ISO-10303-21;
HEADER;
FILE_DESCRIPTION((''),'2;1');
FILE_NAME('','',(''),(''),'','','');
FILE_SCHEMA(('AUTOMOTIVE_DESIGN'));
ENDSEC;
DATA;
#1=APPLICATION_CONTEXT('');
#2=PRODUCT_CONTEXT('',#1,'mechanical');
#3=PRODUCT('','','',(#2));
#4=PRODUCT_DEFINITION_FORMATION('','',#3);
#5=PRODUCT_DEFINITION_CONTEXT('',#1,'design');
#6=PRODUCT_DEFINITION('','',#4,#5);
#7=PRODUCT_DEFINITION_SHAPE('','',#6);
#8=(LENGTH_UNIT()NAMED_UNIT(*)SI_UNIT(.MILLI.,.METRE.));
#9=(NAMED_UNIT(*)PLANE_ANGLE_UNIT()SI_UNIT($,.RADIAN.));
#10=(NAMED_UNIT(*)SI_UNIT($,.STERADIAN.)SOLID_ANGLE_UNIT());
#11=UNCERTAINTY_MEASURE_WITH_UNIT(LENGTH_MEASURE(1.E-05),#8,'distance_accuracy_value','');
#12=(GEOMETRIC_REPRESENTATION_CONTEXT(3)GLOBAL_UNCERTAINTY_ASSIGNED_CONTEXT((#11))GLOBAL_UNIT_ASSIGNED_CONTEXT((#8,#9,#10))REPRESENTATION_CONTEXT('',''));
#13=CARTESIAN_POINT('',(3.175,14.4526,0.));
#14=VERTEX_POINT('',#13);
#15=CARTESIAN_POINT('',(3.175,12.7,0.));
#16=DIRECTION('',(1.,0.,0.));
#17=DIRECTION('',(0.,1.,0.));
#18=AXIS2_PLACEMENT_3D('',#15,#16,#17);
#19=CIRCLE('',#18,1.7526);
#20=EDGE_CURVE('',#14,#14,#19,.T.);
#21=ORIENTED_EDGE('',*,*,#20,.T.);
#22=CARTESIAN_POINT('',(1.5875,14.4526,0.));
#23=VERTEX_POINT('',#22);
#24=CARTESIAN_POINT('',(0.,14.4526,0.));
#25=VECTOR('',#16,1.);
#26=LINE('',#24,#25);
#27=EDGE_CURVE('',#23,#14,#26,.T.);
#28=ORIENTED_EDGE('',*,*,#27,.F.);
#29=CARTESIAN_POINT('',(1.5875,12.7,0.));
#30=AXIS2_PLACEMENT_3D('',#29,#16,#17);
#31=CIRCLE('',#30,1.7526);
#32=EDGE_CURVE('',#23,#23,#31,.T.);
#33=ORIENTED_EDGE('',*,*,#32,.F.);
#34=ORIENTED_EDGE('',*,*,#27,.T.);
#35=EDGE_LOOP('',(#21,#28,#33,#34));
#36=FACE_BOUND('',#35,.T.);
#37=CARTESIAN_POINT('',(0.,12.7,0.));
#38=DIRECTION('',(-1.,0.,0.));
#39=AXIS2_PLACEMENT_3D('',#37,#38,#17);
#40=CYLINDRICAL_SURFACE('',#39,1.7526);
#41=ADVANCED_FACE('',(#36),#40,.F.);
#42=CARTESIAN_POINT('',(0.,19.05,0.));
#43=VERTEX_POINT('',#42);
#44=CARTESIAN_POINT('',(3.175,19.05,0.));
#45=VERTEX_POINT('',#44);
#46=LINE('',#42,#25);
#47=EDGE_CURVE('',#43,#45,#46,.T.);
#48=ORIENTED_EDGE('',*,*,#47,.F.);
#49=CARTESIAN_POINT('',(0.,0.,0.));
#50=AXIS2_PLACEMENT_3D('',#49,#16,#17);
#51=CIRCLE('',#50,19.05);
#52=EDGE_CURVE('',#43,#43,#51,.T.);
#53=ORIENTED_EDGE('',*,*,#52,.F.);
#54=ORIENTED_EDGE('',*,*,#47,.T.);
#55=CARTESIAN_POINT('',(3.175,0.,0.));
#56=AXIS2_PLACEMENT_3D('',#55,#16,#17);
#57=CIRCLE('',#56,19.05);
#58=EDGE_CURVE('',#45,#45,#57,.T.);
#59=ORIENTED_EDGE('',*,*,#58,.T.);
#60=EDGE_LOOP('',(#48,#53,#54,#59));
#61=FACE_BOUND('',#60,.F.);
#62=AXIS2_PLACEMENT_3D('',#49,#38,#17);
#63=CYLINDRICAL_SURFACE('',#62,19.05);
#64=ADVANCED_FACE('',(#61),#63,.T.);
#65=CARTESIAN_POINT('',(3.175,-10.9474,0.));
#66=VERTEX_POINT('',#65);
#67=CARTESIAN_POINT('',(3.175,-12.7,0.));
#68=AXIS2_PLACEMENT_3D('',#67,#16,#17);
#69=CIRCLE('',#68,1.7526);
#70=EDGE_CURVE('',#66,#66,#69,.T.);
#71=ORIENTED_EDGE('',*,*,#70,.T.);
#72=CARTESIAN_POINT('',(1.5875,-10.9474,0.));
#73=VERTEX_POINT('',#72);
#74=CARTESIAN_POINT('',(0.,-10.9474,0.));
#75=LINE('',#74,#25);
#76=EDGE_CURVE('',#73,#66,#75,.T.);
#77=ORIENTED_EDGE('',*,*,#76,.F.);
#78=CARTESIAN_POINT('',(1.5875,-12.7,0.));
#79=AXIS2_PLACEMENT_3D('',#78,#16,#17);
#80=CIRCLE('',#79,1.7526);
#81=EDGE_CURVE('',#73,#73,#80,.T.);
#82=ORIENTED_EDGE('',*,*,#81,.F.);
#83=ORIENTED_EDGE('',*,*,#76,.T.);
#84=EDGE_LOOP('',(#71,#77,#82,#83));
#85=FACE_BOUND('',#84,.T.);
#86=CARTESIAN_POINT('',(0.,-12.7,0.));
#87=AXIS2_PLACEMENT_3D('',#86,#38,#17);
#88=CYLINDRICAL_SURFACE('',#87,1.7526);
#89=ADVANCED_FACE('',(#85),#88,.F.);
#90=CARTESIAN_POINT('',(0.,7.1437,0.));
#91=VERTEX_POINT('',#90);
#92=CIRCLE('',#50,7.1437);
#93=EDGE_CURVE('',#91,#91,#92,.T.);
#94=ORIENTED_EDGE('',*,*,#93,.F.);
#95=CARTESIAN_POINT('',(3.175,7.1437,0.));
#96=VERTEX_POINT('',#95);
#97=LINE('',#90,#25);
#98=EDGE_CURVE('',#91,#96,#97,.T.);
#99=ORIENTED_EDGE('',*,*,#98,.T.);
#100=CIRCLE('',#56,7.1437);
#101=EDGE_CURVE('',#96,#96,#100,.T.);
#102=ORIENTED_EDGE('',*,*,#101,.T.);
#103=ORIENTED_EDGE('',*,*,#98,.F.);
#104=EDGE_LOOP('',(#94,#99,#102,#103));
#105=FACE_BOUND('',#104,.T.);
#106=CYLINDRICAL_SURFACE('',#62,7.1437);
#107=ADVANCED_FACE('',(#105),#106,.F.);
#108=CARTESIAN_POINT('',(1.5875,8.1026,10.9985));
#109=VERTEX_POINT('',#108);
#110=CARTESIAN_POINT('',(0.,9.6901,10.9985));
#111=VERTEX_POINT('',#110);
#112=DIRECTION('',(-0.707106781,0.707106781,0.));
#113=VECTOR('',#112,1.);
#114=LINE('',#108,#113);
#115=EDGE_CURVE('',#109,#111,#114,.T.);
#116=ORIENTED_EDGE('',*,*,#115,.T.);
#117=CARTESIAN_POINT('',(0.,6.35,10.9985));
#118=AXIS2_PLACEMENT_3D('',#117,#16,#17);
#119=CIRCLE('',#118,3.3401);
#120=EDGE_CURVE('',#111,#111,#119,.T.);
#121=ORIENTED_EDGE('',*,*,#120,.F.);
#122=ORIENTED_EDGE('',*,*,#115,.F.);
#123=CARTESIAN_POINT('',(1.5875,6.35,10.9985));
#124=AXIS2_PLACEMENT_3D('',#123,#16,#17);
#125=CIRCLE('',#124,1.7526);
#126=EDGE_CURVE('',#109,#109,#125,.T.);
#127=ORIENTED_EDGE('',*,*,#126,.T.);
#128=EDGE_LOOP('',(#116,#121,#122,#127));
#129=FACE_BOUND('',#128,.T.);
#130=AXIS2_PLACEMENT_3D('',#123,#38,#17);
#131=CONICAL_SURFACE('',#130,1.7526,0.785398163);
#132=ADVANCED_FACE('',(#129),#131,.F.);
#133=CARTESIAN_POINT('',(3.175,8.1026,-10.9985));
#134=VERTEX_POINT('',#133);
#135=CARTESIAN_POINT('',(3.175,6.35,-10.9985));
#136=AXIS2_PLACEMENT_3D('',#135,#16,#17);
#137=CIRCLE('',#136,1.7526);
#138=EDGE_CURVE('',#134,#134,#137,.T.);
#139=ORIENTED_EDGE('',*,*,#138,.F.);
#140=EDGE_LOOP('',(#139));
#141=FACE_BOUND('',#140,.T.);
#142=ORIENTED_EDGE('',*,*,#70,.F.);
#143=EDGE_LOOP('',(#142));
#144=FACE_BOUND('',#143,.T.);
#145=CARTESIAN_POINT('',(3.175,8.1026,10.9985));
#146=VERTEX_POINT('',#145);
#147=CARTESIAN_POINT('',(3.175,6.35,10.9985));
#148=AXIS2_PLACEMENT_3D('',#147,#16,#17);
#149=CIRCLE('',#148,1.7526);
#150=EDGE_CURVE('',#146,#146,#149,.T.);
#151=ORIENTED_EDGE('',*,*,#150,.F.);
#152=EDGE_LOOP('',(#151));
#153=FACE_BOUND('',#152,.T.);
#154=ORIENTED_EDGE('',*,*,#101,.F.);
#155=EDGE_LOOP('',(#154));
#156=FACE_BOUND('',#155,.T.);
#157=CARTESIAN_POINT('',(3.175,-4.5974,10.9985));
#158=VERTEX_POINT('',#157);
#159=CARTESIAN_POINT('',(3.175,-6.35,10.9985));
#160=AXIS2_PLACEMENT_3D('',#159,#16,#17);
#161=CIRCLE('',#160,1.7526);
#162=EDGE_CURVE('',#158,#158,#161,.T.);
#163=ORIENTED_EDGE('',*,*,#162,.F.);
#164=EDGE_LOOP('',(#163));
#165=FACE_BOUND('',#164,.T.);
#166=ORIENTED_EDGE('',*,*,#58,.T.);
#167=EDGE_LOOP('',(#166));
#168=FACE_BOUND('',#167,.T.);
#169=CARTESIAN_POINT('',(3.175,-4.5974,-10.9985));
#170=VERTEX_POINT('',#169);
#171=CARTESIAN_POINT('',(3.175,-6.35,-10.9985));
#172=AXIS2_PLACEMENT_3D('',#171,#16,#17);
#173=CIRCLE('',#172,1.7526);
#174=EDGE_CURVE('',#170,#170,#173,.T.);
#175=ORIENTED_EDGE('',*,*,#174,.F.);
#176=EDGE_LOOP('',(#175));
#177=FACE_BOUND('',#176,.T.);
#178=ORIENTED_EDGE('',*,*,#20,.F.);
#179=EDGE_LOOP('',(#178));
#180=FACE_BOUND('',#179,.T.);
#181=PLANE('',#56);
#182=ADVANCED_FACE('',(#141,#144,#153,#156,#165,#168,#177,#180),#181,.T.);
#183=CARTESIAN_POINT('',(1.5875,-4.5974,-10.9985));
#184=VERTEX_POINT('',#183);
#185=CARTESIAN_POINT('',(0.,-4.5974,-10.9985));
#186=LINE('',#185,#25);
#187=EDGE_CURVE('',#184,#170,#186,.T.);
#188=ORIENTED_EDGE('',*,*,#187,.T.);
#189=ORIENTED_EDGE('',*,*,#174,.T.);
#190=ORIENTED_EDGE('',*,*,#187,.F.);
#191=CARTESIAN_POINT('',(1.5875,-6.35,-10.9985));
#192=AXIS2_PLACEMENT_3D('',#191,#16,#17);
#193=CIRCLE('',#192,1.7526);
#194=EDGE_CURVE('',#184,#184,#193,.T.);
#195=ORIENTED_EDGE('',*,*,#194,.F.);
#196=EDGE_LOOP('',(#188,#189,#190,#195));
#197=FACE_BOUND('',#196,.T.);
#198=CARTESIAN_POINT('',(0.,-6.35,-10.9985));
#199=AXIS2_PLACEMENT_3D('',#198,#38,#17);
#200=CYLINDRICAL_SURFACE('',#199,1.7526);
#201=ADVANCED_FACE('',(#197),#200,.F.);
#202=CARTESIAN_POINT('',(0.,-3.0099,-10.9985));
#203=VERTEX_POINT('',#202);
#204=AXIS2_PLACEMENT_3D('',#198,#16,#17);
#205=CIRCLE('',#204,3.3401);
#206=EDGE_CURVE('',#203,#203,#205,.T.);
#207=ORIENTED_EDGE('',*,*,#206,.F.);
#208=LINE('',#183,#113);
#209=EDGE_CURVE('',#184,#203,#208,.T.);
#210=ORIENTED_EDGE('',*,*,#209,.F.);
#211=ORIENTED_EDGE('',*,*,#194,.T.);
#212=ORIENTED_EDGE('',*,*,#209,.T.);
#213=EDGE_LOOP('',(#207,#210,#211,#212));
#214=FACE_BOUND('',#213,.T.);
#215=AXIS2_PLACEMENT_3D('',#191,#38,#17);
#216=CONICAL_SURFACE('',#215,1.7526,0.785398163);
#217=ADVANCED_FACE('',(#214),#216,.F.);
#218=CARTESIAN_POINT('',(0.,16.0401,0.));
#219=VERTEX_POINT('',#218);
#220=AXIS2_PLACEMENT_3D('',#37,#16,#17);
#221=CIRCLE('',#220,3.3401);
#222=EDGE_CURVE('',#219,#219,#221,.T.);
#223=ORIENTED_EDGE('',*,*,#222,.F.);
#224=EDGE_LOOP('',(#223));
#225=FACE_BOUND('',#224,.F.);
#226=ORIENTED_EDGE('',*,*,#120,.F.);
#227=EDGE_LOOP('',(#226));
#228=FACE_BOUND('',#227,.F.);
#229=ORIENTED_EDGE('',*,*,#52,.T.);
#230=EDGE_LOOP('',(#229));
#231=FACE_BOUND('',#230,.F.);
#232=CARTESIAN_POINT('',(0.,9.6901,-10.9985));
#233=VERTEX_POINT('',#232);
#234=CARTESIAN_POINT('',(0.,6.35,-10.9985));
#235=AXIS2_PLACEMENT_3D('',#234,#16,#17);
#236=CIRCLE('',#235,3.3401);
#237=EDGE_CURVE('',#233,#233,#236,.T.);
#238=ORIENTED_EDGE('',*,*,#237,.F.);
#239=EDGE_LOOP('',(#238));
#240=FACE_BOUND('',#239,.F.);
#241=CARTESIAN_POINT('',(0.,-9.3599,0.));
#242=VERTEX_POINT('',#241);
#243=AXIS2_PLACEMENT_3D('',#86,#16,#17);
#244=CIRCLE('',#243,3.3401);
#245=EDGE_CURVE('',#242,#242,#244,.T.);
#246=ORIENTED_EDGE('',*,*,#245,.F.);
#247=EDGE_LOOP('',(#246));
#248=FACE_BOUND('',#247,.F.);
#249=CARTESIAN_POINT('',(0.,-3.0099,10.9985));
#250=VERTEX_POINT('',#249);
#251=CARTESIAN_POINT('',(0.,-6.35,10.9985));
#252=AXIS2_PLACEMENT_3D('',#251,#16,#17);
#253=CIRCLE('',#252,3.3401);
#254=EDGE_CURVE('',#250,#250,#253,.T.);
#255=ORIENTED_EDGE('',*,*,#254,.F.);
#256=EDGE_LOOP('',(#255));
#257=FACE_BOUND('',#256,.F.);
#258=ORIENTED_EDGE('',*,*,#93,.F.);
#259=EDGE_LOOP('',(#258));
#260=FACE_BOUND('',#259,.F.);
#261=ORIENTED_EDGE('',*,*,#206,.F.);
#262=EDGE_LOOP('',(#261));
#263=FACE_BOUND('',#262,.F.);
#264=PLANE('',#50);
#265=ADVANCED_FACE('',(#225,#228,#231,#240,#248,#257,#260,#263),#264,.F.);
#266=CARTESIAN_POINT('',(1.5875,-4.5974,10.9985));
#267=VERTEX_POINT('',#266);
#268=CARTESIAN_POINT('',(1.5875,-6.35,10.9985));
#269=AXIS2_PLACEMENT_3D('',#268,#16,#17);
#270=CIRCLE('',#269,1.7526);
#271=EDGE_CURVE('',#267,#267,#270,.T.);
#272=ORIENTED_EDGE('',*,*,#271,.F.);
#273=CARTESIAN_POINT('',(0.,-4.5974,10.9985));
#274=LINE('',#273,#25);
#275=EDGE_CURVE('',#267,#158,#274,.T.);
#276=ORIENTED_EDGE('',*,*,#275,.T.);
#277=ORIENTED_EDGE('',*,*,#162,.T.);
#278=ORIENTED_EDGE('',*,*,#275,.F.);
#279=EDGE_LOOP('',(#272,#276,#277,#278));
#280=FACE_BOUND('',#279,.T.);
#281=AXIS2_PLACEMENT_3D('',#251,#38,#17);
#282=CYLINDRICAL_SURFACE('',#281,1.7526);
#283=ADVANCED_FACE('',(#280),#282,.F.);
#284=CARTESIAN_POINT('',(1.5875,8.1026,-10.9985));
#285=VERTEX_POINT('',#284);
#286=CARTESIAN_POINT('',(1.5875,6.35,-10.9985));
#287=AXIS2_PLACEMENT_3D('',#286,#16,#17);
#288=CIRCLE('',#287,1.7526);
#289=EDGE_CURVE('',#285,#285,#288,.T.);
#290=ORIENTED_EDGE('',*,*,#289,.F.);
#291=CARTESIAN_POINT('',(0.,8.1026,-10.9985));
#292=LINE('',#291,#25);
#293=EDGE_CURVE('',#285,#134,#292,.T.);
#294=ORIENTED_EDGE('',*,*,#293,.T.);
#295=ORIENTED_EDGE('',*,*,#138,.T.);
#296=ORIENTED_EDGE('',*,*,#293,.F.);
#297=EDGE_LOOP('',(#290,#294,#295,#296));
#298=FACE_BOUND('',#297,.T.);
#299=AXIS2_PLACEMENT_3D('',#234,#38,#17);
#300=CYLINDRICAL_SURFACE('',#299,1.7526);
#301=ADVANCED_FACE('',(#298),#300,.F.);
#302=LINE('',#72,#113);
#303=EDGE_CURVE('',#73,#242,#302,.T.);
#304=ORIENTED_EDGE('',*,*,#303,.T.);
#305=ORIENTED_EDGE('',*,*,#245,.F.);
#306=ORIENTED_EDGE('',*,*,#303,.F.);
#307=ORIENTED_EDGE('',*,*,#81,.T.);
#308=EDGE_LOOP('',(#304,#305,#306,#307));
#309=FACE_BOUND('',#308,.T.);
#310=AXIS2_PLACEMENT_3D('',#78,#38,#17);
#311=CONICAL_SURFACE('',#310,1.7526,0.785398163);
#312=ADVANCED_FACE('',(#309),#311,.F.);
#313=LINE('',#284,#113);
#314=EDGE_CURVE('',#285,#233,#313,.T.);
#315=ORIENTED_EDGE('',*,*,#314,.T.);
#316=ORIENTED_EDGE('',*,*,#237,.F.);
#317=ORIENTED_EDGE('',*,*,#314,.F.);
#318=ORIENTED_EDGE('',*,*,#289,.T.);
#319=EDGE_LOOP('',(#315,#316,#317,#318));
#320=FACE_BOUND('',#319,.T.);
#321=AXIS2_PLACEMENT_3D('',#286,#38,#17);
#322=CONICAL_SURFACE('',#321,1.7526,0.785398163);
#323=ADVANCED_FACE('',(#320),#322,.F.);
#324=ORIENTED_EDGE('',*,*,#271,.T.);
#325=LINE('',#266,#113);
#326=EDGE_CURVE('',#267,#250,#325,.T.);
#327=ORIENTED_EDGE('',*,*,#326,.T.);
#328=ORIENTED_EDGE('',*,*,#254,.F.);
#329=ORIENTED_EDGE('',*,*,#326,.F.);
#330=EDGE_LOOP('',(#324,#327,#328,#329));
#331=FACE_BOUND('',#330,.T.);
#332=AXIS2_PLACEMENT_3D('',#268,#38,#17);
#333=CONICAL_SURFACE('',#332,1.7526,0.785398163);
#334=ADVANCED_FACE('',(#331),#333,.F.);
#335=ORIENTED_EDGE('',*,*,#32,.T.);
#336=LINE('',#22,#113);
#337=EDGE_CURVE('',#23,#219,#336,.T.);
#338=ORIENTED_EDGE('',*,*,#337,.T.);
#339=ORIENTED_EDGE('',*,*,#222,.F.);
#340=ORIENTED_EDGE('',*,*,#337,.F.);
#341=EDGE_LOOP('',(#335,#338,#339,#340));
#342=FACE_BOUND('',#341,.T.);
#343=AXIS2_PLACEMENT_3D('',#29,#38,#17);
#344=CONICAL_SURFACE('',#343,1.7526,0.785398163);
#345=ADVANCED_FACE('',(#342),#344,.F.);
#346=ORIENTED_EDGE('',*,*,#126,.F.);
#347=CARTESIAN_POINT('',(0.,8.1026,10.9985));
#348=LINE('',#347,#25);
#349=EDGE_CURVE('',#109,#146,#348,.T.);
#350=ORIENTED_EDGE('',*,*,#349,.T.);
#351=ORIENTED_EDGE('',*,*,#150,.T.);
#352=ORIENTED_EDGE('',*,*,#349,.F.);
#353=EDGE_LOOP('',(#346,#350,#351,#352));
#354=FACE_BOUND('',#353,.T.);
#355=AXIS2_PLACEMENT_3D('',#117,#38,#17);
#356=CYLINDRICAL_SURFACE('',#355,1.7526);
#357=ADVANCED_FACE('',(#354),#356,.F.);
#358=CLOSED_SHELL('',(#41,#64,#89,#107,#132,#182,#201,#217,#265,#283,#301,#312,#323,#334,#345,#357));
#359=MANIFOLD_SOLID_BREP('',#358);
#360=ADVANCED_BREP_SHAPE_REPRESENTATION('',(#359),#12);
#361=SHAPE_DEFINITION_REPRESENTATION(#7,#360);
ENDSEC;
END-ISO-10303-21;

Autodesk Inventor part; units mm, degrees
ref_plane "YZ Plane" through (0, 0, 0) normal (1, 0, 0) x (0, 1, 0)
ref_plane "XZ Plane" through (0, 0, 0) normal (0, 1, 0) x (-1, 0, 0)
ref_plane "XY Plane" through (0, 0, 0) normal (0, 0, 1) x (1, 0, 0)
sketch "Sketch1" plane through (0, 0, 0) normal (1, 0, 0) x (0, 1, 0)
  circle A0 centre (0, 0) radius 7.1437
  circle A1 centre (0, 0) radius 19.05
  circle A2 centre (12.7, 0) radius 1.7526
  circle A3 centre (6.35, 10.9985) radius 1.7526
  circle A4 centre (-6.35, 10.9985) radius 1.7526
  circle A5 centre (-12.7, 0) radius 1.7526
  circle A6 centre (-6.35, -10.9985) radius 1.7526
  circle A7 centre (6.35, -10.9985) radius 1.7526
  dimension "d0" = 14.2875
  dimension "d1" = 38.1
  dimension "d4" = 3.5052
  dimension "d5" = 12.7
  dimension "d8" = 360
extrude "Extrusion1" add sketch "Sketch1" along normal blind 3.175
chamfer "Chamfer1" distance 1.5875 angle 45 6 edges at (0, 10.9474, 0) (0, 4.5974, 10.9985) (0, -14.4526, 0) (0, -8.1026, 10.9985) (0, 4.5974, -10.9985) (0, -8.1026, -10.9985)
properties part number "Spacer 3-8x .125" material "UHMW, Black"
